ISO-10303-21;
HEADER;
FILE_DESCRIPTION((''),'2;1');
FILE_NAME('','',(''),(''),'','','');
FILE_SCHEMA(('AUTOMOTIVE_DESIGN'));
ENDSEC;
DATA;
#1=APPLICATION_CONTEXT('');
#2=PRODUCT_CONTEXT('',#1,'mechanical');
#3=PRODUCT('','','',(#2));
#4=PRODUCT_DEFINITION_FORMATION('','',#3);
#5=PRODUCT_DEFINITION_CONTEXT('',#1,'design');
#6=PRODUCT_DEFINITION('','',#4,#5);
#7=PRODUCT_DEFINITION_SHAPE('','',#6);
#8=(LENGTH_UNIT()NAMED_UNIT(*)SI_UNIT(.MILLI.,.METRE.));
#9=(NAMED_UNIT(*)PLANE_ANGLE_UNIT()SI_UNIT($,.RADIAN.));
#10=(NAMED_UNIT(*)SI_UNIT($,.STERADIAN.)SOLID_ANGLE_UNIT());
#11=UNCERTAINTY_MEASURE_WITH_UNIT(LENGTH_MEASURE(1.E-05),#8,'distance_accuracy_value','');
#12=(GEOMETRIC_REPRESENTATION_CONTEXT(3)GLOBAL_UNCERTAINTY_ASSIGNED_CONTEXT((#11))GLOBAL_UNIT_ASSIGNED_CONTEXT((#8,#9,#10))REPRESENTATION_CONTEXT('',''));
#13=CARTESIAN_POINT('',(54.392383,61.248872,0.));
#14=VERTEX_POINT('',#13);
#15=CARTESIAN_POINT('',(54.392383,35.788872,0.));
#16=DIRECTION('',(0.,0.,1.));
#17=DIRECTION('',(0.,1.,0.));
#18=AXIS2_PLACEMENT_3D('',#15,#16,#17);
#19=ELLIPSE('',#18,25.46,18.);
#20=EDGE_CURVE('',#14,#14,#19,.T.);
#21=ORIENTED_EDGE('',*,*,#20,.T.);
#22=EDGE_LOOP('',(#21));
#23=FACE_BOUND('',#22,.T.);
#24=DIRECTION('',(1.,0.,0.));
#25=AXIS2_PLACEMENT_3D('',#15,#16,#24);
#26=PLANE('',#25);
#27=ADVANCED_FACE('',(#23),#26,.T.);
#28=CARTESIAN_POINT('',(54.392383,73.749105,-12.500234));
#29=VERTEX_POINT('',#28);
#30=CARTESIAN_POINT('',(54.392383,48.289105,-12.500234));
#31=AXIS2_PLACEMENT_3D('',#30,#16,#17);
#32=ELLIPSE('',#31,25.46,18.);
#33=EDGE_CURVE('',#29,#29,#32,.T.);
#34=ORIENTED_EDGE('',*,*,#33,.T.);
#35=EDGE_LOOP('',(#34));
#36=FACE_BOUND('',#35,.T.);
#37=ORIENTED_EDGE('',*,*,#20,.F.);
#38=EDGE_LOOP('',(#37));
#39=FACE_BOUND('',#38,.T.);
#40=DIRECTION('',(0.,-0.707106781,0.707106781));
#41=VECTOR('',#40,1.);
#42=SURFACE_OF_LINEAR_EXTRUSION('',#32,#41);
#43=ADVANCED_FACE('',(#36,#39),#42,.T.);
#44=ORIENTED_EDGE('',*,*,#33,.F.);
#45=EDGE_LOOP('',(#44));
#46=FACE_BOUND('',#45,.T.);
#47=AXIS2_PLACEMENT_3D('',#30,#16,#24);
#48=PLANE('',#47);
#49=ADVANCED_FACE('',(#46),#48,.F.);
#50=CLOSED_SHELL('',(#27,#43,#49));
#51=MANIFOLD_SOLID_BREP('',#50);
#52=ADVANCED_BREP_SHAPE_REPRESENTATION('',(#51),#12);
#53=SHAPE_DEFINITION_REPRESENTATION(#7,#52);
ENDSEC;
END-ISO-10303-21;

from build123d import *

# Parameters (mm, degrees)
SKETCH_1_RX     = 25.46
SKETCH_1_RY     = 18
EXTRUDE_2_DEPTH = 17.678


with BuildPart() as part:
    # 草图1 → 凸台-拉伸2 (new body, along a direction that is not the sketch's normal)
    with BuildSketch(Plane.XY):
        with Locations(Location((54.392382982, 35.78887153), (0, 0, -90))):
            Ellipse(SKETCH_1_RX, SKETCH_1_RY)
    extrude(amount=-EXTRUDE_2_DEPTH, dir=(0, -0.707106781, 0.707106781))


solid = part.part
